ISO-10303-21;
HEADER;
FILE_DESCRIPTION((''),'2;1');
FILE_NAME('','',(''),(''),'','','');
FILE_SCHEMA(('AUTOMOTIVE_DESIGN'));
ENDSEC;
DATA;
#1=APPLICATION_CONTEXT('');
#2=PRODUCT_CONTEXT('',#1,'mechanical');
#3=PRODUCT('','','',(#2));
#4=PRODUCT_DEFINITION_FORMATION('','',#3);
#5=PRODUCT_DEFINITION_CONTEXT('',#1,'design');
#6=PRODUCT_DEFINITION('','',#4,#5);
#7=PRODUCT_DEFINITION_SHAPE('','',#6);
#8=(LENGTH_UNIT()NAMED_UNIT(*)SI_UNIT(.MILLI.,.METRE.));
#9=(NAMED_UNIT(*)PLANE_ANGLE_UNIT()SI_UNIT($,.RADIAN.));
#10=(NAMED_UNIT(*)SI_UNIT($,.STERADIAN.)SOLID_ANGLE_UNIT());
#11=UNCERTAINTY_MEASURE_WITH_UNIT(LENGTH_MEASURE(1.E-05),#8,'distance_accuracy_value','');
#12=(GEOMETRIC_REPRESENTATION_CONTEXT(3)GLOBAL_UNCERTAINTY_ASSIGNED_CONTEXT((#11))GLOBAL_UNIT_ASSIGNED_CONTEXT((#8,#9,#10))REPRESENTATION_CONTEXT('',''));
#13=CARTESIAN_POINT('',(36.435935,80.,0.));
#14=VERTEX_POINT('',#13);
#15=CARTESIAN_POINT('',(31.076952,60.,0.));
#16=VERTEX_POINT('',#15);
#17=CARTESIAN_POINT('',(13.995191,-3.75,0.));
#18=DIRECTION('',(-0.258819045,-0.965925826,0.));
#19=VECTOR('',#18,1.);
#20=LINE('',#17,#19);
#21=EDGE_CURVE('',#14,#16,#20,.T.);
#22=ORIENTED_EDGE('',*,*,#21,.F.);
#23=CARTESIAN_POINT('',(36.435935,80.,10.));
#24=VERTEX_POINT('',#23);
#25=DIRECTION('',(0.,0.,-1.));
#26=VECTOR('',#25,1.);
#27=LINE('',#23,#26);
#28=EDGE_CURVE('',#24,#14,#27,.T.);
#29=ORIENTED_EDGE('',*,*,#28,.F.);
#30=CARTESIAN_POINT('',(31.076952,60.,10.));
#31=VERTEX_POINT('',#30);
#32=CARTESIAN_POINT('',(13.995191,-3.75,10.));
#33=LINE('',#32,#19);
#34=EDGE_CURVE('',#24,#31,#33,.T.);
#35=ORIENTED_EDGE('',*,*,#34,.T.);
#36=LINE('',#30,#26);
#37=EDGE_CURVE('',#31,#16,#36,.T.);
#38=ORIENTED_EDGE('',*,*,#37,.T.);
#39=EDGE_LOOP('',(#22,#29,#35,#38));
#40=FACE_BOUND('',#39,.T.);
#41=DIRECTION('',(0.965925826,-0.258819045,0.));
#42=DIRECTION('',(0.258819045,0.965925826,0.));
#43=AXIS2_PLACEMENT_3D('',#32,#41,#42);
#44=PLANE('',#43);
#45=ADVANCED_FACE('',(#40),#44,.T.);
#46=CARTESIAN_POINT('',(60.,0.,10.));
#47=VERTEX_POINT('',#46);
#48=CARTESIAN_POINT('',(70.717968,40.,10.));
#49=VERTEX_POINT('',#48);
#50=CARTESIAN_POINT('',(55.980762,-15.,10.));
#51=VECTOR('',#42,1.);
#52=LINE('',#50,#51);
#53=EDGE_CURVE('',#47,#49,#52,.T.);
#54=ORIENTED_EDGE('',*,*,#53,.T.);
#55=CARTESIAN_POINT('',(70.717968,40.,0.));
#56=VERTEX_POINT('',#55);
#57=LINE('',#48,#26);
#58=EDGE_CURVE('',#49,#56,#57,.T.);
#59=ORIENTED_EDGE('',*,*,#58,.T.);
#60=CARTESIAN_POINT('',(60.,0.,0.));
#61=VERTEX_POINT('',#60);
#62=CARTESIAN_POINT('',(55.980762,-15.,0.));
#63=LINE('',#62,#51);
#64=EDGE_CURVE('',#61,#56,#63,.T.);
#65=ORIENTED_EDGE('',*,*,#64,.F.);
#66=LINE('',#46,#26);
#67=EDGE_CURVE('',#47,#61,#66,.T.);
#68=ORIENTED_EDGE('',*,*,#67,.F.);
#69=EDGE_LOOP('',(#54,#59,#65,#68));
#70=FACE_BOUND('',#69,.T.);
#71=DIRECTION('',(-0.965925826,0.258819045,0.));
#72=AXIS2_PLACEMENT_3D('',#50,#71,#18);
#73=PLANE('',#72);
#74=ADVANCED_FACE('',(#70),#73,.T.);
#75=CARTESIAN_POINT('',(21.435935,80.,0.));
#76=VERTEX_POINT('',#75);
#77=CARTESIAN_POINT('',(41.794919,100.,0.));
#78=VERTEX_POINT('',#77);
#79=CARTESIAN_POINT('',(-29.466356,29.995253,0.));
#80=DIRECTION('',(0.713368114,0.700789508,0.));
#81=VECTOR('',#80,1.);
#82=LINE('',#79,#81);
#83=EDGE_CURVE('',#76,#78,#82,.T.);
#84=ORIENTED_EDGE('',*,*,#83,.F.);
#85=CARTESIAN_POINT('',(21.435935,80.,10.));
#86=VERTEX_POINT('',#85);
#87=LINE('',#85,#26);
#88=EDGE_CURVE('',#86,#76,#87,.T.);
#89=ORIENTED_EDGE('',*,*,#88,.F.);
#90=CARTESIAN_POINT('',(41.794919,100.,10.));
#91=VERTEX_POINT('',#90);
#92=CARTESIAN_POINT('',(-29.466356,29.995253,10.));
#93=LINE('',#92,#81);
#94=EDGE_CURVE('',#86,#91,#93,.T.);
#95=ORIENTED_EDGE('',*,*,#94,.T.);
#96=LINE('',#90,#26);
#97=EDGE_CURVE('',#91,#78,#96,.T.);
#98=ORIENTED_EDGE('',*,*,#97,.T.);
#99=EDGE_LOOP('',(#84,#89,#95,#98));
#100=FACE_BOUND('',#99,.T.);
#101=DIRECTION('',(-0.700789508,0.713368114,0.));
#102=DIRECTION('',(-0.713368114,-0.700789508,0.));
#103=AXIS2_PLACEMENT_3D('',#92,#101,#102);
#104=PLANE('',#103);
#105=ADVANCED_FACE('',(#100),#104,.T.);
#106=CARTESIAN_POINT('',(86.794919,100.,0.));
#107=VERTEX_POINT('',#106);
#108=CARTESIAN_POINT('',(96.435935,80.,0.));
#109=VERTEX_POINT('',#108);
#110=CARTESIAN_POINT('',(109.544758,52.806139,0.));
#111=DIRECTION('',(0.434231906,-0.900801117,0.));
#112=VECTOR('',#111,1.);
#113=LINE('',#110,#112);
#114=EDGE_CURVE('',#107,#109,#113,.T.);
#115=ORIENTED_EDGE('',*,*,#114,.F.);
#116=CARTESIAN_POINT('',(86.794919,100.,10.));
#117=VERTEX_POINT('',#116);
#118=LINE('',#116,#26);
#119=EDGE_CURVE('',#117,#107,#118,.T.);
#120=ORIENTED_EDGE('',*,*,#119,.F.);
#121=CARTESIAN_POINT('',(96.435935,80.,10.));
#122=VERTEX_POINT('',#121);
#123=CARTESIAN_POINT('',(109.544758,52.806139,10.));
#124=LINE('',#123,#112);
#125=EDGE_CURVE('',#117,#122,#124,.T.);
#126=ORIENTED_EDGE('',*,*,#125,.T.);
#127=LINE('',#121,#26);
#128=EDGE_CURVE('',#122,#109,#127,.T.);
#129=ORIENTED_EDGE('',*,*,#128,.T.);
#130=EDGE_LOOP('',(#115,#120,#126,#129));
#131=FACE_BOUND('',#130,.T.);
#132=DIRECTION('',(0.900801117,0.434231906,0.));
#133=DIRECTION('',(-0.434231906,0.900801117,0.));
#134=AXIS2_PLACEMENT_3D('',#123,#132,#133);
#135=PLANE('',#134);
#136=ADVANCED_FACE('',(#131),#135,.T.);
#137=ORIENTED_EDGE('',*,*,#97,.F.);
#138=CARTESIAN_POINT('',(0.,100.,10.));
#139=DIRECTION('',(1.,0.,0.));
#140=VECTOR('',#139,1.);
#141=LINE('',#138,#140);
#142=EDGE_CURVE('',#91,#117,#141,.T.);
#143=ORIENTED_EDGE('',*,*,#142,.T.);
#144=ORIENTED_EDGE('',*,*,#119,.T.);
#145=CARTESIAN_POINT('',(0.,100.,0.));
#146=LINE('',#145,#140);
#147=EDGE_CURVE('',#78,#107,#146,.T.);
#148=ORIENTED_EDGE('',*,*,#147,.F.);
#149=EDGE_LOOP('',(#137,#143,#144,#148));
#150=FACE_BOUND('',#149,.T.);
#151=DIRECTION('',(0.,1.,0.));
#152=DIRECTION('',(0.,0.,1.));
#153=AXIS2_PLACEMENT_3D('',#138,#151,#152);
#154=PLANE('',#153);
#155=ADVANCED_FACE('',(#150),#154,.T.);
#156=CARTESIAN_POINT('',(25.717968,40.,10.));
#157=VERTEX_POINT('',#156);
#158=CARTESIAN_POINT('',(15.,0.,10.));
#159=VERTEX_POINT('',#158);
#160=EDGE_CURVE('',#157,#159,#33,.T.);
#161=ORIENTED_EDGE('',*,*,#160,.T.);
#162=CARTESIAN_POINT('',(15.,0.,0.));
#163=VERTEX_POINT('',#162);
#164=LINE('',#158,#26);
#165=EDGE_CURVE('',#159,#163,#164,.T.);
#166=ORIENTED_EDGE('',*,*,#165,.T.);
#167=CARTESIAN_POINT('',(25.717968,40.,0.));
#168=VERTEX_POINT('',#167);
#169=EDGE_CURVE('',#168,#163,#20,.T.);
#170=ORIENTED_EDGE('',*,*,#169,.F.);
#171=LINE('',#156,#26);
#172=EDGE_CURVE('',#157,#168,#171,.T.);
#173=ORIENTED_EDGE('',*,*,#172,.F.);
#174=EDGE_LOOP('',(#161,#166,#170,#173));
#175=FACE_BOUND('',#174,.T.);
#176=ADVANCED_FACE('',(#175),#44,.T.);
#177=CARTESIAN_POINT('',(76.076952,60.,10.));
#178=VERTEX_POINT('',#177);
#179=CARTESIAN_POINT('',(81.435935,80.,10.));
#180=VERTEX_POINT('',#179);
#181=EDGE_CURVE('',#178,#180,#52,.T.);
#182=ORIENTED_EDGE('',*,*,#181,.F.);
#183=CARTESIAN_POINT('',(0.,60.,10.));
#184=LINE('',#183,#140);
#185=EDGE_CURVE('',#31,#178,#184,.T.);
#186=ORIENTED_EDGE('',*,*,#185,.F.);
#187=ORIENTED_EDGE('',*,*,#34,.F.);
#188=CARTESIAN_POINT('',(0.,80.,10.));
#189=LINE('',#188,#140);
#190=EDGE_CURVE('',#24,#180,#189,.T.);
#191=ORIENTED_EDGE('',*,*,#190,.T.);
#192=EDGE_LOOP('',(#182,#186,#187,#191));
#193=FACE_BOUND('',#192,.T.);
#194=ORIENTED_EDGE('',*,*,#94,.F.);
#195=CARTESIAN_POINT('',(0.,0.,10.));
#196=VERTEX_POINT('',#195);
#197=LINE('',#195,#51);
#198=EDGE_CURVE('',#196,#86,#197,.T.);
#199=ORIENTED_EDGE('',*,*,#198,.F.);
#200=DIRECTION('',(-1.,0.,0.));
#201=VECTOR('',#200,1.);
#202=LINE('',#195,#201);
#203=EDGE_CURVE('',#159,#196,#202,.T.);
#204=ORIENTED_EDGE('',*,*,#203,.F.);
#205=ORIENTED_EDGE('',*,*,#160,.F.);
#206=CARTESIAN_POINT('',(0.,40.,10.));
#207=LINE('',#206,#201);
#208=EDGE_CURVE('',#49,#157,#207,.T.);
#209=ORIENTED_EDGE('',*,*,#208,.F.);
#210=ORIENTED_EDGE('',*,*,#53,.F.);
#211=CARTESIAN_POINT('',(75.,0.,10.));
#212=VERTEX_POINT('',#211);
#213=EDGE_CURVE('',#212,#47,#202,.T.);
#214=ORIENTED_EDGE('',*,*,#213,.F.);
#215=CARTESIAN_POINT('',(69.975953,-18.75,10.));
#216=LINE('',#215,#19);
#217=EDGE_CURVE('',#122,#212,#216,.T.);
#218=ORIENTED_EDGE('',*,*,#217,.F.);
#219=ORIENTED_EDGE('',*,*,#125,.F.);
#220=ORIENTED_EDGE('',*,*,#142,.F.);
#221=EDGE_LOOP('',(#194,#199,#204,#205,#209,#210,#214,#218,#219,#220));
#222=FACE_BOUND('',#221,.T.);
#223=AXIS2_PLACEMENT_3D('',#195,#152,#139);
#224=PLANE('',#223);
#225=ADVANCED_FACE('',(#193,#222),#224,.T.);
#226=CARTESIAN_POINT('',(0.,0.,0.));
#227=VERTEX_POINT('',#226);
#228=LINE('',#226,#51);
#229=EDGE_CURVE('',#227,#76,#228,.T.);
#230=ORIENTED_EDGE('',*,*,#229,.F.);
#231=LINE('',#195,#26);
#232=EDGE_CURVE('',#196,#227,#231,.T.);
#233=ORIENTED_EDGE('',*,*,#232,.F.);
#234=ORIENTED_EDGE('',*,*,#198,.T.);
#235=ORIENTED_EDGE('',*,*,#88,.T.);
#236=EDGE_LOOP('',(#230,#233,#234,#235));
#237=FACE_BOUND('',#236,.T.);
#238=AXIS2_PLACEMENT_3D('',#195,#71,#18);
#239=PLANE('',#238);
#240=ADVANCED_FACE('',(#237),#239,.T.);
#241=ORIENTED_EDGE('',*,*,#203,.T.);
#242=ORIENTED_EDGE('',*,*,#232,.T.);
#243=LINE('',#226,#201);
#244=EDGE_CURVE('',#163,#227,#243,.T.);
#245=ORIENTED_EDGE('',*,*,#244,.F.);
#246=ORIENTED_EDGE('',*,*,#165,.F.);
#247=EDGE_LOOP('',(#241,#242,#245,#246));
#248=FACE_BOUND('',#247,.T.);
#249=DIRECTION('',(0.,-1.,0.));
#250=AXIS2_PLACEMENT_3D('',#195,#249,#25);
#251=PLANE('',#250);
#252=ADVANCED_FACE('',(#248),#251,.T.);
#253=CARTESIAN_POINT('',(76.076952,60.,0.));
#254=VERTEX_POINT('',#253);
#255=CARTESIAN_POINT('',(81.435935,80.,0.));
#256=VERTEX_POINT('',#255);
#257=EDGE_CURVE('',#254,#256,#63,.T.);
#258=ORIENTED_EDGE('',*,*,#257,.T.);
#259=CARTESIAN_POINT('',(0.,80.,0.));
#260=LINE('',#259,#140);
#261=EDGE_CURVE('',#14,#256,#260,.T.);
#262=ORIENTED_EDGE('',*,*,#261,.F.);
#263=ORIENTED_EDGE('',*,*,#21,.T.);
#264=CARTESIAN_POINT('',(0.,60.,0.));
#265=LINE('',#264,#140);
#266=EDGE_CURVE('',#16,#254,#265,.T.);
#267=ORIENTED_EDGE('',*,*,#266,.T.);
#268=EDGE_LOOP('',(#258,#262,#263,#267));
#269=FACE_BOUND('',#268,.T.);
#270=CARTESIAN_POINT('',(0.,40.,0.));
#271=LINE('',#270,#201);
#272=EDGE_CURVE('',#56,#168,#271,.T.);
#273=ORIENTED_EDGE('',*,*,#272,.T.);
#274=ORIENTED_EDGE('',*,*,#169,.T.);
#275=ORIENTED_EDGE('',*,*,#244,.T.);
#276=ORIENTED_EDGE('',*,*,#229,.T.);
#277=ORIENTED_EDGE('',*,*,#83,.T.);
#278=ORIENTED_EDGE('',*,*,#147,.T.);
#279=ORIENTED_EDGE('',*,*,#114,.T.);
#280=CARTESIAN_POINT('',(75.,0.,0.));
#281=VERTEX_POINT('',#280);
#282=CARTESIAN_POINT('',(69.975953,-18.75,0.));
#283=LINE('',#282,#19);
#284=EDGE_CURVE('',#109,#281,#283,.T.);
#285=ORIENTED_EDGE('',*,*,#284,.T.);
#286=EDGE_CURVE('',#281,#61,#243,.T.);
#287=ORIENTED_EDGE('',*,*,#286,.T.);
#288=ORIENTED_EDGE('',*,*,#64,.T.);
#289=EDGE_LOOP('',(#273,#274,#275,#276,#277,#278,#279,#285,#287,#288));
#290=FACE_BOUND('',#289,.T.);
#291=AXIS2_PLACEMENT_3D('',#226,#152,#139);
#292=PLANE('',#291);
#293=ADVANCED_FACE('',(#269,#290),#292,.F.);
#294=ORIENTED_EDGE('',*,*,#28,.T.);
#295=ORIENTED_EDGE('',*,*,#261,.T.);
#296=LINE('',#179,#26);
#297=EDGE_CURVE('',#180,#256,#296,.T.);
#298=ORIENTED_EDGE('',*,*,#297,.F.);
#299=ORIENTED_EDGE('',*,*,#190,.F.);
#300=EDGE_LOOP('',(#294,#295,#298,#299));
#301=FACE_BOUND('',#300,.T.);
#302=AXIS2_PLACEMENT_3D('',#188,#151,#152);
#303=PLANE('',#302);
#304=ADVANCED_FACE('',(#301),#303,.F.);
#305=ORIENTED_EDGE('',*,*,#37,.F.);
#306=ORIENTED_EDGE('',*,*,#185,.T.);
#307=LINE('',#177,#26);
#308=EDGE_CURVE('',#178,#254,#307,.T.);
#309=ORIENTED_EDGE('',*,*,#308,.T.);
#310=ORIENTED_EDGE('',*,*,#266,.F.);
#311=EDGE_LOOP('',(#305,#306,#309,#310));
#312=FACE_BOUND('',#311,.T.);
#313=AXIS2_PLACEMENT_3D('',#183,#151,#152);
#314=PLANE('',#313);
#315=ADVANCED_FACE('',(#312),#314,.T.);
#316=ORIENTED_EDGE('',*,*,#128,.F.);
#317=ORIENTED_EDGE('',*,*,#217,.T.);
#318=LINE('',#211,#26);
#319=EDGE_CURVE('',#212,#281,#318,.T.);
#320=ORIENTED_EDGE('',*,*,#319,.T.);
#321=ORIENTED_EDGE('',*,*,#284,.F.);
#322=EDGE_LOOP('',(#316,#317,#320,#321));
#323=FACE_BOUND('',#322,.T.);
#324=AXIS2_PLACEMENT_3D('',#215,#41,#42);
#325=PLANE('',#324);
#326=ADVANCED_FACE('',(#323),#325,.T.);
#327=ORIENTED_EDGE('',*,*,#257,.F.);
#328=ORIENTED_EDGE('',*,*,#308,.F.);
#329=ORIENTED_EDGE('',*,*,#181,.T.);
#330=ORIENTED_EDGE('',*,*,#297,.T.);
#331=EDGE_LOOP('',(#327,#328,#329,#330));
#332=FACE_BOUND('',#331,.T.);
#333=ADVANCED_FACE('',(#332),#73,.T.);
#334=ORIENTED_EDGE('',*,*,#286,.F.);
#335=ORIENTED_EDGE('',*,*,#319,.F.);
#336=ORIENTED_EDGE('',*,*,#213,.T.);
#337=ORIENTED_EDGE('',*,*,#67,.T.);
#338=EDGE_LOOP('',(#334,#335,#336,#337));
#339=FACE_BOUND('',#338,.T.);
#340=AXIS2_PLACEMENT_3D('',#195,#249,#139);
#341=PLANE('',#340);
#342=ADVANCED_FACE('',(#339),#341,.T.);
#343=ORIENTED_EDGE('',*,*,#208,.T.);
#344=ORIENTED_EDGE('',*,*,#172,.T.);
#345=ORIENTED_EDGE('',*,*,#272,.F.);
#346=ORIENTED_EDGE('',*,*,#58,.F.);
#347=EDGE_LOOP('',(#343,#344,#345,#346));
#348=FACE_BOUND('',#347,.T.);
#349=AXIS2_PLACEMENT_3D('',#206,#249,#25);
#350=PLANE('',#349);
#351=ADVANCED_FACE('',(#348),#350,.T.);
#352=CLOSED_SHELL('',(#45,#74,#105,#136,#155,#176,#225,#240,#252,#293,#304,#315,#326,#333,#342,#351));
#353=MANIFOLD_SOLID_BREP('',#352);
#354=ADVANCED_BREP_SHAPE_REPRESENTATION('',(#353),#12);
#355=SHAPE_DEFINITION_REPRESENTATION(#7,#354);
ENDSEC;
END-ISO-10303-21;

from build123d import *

# Parameters (mm, degrees)
EXTRUDE_A_DEPTH = 10


with BuildPart() as part:
    # Skica5 → A_ (new body)
    with BuildSketch(Plane.XY):
        Polygon((0, 0), (21.435935394, 80), (41.794919243, 100), (86.794919243, 100), (96.435935394, 80), (75, 0), (60, 0), (70.717967697, 40), (25.717967697, 40), (15, 0), align=None)
        Polygon((36.435935394, 80), (81.435935394, 80), (76.076951546, 60), (31.076951546, 60), align=None, mode=Mode.SUBTRACT)
    extrude(amount=EXTRUDE_A_DEPTH)


solid = part.part
